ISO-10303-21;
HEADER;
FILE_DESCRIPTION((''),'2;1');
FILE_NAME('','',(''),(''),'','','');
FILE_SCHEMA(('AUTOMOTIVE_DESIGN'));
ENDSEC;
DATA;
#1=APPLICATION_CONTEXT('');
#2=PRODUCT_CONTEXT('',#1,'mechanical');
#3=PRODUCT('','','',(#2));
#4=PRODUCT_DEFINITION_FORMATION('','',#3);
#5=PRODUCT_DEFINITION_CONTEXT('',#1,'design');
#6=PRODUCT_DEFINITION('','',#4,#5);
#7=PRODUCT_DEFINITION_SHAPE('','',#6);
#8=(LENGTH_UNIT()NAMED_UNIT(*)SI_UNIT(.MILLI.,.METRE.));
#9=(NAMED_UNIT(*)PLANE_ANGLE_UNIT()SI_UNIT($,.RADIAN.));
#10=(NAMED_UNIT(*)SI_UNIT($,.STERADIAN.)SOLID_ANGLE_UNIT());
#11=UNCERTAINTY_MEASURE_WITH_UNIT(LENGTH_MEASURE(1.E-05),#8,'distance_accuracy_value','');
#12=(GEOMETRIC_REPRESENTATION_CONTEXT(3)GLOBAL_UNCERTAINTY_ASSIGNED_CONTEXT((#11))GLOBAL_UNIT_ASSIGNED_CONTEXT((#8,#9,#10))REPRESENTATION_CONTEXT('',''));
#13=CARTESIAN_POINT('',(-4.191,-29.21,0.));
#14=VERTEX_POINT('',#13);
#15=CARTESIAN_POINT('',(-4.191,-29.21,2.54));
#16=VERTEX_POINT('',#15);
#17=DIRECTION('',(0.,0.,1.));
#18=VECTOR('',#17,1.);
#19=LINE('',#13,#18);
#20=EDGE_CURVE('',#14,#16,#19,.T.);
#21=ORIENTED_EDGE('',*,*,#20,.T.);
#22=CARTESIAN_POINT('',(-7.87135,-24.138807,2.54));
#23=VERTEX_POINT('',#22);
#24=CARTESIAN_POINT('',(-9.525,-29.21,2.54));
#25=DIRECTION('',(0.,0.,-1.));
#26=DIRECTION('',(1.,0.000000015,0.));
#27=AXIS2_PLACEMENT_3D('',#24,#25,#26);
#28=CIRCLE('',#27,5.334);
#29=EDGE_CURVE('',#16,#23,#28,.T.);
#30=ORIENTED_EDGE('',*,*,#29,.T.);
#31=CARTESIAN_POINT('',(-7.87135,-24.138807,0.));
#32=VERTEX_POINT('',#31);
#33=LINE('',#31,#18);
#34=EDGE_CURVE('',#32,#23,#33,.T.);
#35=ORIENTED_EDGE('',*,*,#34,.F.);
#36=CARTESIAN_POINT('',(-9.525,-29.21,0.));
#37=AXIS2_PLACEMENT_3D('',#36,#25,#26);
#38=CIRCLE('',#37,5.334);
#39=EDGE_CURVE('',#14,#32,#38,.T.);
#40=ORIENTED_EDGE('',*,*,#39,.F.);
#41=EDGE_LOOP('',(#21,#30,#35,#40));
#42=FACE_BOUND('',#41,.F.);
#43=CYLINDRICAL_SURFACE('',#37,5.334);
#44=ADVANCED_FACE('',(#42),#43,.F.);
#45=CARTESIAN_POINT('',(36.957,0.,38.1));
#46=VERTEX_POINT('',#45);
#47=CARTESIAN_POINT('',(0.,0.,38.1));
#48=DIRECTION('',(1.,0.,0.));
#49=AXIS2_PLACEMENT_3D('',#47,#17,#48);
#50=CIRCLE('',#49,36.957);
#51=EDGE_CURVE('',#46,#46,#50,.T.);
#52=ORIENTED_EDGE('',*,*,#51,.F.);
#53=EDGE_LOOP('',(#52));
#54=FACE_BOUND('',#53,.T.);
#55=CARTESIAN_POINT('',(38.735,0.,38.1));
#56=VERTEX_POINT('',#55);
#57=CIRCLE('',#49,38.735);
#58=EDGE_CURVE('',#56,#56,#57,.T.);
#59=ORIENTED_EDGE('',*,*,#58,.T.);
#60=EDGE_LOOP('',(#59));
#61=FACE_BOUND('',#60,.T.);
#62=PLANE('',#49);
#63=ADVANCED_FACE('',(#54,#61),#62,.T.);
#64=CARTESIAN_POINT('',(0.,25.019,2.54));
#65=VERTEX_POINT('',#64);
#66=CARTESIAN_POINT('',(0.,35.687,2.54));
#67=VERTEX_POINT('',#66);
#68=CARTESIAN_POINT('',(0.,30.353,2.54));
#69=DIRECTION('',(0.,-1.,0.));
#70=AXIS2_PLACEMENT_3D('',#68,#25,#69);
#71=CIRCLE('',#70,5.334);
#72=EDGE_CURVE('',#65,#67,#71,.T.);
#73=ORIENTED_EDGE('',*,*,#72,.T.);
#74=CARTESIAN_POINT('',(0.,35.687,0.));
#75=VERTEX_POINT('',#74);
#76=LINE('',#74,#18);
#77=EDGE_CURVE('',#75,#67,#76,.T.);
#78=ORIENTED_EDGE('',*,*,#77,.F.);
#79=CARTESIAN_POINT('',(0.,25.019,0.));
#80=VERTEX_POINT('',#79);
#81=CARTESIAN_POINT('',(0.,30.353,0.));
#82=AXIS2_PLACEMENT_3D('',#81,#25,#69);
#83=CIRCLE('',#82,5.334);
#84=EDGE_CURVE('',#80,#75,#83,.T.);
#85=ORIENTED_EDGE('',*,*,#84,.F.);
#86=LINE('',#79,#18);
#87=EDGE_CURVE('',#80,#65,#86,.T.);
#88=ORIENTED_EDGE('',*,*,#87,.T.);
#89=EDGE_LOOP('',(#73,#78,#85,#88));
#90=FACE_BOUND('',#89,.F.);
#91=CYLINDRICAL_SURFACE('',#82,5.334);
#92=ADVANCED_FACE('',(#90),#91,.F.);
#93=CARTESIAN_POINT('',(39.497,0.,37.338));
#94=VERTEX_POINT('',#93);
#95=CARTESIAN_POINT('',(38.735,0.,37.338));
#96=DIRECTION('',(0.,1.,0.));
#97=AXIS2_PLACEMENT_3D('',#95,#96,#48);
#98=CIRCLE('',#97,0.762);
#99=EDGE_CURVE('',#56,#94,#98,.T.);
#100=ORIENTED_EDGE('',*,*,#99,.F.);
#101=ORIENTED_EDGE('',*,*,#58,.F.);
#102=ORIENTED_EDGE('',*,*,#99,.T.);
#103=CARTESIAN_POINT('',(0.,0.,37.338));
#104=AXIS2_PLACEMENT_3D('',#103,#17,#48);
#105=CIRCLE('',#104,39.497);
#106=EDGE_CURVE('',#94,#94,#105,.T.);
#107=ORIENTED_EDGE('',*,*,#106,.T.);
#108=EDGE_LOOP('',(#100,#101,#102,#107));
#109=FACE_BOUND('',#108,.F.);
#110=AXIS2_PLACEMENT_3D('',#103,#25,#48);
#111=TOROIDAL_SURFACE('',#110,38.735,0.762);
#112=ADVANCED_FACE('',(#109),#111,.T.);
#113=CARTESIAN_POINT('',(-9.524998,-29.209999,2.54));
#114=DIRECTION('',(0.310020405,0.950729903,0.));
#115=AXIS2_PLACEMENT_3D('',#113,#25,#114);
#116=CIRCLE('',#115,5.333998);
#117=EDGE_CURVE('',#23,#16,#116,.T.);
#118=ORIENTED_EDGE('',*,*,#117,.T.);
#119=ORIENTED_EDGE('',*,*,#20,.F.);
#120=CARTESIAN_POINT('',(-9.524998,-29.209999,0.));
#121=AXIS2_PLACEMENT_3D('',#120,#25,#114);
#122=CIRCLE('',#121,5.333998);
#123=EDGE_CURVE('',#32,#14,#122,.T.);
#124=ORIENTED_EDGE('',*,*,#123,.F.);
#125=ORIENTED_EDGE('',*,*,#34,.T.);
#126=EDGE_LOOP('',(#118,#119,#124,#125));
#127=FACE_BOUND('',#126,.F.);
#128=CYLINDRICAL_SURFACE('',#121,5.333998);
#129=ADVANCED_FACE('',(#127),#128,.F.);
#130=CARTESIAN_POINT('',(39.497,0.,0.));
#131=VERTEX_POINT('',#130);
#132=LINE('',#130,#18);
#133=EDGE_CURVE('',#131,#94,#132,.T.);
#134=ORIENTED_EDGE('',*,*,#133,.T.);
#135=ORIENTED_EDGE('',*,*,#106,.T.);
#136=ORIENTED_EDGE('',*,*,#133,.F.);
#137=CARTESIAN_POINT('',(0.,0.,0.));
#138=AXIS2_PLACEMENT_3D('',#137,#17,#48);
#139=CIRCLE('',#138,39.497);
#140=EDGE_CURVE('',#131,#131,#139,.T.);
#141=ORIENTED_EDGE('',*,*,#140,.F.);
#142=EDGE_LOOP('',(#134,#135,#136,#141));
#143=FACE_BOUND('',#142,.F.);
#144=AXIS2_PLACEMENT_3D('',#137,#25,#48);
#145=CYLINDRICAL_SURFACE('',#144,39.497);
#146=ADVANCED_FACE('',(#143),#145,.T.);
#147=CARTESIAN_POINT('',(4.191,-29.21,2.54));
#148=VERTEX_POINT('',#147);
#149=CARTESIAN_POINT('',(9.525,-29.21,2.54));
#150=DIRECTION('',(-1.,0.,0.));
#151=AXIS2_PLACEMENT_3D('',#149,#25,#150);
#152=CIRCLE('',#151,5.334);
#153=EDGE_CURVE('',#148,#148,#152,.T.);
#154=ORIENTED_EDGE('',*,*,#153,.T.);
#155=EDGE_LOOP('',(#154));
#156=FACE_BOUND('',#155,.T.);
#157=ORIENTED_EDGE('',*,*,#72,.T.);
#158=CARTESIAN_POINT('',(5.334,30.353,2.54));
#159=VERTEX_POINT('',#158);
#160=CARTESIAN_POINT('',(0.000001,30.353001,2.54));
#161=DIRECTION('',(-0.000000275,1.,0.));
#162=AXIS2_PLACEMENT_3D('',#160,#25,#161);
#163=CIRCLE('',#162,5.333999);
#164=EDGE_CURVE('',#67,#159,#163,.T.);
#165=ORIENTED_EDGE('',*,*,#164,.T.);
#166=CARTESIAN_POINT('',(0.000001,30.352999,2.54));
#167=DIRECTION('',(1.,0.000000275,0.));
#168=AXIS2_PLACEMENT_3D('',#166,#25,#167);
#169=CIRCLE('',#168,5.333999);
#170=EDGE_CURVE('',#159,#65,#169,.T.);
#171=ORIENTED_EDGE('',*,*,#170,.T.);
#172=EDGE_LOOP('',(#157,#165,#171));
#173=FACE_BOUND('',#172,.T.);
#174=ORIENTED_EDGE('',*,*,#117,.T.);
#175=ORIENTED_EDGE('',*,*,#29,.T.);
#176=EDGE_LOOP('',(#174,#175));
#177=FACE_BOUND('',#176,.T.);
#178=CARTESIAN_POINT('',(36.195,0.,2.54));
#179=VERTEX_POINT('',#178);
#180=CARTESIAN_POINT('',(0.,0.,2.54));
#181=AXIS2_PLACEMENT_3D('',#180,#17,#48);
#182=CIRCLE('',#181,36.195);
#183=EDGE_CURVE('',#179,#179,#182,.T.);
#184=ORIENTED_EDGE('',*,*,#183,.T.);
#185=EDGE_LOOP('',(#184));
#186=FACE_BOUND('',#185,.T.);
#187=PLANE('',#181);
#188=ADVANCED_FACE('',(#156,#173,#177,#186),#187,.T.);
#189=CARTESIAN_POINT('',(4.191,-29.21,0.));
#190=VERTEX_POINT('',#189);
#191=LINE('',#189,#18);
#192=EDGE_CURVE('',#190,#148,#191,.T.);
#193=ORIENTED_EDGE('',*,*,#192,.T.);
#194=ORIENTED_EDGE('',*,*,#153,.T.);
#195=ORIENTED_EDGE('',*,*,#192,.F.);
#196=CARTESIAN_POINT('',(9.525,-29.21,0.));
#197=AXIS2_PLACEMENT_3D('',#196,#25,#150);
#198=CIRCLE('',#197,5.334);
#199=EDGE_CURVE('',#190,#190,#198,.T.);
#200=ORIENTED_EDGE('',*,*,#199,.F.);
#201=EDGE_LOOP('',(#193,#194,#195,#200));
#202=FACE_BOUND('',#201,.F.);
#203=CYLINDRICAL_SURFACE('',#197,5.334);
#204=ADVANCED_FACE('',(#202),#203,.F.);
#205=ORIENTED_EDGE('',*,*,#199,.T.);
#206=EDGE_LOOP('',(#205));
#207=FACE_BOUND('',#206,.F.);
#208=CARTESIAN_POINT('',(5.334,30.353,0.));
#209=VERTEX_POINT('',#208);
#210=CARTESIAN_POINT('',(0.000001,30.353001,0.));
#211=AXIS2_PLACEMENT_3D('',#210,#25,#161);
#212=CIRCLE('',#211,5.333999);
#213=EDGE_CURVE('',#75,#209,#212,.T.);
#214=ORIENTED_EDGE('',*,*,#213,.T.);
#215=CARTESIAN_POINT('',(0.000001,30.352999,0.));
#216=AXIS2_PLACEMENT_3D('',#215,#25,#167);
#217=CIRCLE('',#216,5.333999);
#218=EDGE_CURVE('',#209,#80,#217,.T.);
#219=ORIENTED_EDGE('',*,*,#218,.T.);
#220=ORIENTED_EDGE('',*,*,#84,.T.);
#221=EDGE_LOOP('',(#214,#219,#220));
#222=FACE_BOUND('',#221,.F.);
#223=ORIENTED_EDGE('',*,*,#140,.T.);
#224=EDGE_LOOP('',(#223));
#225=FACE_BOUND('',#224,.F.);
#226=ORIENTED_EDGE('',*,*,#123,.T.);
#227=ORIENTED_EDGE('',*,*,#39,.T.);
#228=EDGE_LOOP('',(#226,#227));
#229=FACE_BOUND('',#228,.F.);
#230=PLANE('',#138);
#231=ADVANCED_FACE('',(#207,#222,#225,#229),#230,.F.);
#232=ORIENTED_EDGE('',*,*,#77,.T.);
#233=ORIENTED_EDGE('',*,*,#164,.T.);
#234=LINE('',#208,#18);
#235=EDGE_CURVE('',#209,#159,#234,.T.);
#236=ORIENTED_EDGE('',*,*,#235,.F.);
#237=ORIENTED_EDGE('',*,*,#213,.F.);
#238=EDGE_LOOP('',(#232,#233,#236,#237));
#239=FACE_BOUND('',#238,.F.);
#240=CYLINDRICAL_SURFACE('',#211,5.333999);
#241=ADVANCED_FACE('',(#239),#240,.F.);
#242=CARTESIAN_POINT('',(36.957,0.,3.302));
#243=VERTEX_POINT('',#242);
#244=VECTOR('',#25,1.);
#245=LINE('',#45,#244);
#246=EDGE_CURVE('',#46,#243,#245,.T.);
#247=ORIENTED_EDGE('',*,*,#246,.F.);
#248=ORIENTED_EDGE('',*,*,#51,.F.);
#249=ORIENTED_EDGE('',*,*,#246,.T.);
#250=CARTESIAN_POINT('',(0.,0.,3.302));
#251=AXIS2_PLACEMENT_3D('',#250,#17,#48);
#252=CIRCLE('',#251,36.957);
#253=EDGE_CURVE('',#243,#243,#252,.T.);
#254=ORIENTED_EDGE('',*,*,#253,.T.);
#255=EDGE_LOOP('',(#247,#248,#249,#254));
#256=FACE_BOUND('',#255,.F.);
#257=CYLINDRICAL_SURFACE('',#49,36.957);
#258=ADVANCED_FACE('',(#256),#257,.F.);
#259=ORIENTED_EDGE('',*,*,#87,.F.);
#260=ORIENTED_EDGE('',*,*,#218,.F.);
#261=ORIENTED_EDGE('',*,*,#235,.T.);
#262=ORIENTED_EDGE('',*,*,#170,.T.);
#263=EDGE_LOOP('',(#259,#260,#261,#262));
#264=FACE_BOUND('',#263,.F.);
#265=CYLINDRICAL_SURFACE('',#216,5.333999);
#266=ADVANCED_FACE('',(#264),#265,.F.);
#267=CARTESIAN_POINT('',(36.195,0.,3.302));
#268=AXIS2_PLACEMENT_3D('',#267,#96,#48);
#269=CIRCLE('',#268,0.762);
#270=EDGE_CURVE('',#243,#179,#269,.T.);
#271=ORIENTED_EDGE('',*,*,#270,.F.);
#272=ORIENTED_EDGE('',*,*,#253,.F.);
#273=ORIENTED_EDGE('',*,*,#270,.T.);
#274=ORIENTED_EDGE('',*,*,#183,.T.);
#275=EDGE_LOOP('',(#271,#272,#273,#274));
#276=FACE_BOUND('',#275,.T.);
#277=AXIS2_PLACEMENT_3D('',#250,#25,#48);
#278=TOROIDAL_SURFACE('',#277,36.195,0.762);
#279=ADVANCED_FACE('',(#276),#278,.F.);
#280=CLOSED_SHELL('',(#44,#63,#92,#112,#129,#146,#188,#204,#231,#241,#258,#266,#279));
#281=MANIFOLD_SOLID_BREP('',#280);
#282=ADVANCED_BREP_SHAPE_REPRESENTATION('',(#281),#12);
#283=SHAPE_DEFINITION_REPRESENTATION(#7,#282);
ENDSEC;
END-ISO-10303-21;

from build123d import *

# Parameters (mm, degrees)
F0_R     = 39.497
F1_DEPTH = 38.1
F2_R     = 36.957
F3_DEPTH = 35.56
F4_R     = 0.762
F5_R     = 0.762
F7_DEPTH = 25.4
F9_DEPTH = 25.4


with BuildPart() as f1:
    # F0 (on Top) → F1 (new body)
    with BuildSketch(Plane.XY):
        Circle(F0_R)
    extrude(amount=F1_DEPTH)

    # F2 (on face) → F3 (cut)
    with BuildSketch(Plane.XY.offset(38.1)):
        Circle(F2_R)
    extrude(amount=-F3_DEPTH, mode=Mode.SUBTRACT)

    # F4
    f4_edges = [f1.edges().sort_by_distance(p)[0] for p in [
        (-36.957, 0, 2.54),
    ]]
    fillet(f4_edges, radius=F4_R)

    # F5
    f5_edges = [f1.edges().sort_by_distance(p)[0] for p in [
        (-39.497, 0, 38.1),
    ]]
    fillet(f5_edges, radius=F5_R)

    # F6 (on face) → F7 (cut)
    with BuildSketch(Plane(origin=(0, 0, 0), x_dir=(1, 0, 0), z_dir=(0, 0, -1))):
        with BuildLine():
            Line((0, -25.019), (0, -30.353))
            Line((0, -30.353), (0, -35.687))
            ThreePointArc((0, -35.687), (3.771708, -34.124708), (5.334, -30.353))
            ThreePointArc((5.334, -30.353), (3.771708, -26.581292), (0, -25.019))
        make_face()
        with BuildLine():
            Line((0, -35.687), (0, -30.353))
            Line((0, -30.353), (0, -25.019))
            ThreePointArc((0, -25.019), (-5.334, -30.353), (0, -35.687))
        make_face()
    extrude(amount=-F7_DEPTH, mode=Mode.SUBTRACT)

    # F8 (on face) → F9 (cut)
    with BuildSketch(Plane(origin=(0, 0, 0), x_dir=(1, 0, 0), z_dir=(0, 0, -1))):
        with BuildLine():
            ThreePointArc((14.859, 29.21), (9.525, 34.544), (4.191, 29.21))
            ThreePointArc((4.191, 29.21), (9.525, 23.876), (14.859, 29.21))
        make_face()
        with BuildLine():
            ThreePointArc((-4.191, 29.21), (-13.841951, 32.342969), (-7.87135, 24.138807))
            Line((-7.87135, 24.138807), (-9.525, 29.21))
            Line((-9.525, 29.21), (-4.191, 29.21))
        make_face()
        with BuildLine():
            Line((-9.525, 29.21), (-7.87135, 24.138807))
            ThreePointArc((-7.87135, 24.138807), (-5.208049, 26.077031), (-4.191, 29.21))
            Line((-4.191, 29.21), (-9.525, 29.21))
        make_face()
    extrude(amount=-F9_DEPTH, mode=Mode.SUBTRACT)


solid = f1.part
